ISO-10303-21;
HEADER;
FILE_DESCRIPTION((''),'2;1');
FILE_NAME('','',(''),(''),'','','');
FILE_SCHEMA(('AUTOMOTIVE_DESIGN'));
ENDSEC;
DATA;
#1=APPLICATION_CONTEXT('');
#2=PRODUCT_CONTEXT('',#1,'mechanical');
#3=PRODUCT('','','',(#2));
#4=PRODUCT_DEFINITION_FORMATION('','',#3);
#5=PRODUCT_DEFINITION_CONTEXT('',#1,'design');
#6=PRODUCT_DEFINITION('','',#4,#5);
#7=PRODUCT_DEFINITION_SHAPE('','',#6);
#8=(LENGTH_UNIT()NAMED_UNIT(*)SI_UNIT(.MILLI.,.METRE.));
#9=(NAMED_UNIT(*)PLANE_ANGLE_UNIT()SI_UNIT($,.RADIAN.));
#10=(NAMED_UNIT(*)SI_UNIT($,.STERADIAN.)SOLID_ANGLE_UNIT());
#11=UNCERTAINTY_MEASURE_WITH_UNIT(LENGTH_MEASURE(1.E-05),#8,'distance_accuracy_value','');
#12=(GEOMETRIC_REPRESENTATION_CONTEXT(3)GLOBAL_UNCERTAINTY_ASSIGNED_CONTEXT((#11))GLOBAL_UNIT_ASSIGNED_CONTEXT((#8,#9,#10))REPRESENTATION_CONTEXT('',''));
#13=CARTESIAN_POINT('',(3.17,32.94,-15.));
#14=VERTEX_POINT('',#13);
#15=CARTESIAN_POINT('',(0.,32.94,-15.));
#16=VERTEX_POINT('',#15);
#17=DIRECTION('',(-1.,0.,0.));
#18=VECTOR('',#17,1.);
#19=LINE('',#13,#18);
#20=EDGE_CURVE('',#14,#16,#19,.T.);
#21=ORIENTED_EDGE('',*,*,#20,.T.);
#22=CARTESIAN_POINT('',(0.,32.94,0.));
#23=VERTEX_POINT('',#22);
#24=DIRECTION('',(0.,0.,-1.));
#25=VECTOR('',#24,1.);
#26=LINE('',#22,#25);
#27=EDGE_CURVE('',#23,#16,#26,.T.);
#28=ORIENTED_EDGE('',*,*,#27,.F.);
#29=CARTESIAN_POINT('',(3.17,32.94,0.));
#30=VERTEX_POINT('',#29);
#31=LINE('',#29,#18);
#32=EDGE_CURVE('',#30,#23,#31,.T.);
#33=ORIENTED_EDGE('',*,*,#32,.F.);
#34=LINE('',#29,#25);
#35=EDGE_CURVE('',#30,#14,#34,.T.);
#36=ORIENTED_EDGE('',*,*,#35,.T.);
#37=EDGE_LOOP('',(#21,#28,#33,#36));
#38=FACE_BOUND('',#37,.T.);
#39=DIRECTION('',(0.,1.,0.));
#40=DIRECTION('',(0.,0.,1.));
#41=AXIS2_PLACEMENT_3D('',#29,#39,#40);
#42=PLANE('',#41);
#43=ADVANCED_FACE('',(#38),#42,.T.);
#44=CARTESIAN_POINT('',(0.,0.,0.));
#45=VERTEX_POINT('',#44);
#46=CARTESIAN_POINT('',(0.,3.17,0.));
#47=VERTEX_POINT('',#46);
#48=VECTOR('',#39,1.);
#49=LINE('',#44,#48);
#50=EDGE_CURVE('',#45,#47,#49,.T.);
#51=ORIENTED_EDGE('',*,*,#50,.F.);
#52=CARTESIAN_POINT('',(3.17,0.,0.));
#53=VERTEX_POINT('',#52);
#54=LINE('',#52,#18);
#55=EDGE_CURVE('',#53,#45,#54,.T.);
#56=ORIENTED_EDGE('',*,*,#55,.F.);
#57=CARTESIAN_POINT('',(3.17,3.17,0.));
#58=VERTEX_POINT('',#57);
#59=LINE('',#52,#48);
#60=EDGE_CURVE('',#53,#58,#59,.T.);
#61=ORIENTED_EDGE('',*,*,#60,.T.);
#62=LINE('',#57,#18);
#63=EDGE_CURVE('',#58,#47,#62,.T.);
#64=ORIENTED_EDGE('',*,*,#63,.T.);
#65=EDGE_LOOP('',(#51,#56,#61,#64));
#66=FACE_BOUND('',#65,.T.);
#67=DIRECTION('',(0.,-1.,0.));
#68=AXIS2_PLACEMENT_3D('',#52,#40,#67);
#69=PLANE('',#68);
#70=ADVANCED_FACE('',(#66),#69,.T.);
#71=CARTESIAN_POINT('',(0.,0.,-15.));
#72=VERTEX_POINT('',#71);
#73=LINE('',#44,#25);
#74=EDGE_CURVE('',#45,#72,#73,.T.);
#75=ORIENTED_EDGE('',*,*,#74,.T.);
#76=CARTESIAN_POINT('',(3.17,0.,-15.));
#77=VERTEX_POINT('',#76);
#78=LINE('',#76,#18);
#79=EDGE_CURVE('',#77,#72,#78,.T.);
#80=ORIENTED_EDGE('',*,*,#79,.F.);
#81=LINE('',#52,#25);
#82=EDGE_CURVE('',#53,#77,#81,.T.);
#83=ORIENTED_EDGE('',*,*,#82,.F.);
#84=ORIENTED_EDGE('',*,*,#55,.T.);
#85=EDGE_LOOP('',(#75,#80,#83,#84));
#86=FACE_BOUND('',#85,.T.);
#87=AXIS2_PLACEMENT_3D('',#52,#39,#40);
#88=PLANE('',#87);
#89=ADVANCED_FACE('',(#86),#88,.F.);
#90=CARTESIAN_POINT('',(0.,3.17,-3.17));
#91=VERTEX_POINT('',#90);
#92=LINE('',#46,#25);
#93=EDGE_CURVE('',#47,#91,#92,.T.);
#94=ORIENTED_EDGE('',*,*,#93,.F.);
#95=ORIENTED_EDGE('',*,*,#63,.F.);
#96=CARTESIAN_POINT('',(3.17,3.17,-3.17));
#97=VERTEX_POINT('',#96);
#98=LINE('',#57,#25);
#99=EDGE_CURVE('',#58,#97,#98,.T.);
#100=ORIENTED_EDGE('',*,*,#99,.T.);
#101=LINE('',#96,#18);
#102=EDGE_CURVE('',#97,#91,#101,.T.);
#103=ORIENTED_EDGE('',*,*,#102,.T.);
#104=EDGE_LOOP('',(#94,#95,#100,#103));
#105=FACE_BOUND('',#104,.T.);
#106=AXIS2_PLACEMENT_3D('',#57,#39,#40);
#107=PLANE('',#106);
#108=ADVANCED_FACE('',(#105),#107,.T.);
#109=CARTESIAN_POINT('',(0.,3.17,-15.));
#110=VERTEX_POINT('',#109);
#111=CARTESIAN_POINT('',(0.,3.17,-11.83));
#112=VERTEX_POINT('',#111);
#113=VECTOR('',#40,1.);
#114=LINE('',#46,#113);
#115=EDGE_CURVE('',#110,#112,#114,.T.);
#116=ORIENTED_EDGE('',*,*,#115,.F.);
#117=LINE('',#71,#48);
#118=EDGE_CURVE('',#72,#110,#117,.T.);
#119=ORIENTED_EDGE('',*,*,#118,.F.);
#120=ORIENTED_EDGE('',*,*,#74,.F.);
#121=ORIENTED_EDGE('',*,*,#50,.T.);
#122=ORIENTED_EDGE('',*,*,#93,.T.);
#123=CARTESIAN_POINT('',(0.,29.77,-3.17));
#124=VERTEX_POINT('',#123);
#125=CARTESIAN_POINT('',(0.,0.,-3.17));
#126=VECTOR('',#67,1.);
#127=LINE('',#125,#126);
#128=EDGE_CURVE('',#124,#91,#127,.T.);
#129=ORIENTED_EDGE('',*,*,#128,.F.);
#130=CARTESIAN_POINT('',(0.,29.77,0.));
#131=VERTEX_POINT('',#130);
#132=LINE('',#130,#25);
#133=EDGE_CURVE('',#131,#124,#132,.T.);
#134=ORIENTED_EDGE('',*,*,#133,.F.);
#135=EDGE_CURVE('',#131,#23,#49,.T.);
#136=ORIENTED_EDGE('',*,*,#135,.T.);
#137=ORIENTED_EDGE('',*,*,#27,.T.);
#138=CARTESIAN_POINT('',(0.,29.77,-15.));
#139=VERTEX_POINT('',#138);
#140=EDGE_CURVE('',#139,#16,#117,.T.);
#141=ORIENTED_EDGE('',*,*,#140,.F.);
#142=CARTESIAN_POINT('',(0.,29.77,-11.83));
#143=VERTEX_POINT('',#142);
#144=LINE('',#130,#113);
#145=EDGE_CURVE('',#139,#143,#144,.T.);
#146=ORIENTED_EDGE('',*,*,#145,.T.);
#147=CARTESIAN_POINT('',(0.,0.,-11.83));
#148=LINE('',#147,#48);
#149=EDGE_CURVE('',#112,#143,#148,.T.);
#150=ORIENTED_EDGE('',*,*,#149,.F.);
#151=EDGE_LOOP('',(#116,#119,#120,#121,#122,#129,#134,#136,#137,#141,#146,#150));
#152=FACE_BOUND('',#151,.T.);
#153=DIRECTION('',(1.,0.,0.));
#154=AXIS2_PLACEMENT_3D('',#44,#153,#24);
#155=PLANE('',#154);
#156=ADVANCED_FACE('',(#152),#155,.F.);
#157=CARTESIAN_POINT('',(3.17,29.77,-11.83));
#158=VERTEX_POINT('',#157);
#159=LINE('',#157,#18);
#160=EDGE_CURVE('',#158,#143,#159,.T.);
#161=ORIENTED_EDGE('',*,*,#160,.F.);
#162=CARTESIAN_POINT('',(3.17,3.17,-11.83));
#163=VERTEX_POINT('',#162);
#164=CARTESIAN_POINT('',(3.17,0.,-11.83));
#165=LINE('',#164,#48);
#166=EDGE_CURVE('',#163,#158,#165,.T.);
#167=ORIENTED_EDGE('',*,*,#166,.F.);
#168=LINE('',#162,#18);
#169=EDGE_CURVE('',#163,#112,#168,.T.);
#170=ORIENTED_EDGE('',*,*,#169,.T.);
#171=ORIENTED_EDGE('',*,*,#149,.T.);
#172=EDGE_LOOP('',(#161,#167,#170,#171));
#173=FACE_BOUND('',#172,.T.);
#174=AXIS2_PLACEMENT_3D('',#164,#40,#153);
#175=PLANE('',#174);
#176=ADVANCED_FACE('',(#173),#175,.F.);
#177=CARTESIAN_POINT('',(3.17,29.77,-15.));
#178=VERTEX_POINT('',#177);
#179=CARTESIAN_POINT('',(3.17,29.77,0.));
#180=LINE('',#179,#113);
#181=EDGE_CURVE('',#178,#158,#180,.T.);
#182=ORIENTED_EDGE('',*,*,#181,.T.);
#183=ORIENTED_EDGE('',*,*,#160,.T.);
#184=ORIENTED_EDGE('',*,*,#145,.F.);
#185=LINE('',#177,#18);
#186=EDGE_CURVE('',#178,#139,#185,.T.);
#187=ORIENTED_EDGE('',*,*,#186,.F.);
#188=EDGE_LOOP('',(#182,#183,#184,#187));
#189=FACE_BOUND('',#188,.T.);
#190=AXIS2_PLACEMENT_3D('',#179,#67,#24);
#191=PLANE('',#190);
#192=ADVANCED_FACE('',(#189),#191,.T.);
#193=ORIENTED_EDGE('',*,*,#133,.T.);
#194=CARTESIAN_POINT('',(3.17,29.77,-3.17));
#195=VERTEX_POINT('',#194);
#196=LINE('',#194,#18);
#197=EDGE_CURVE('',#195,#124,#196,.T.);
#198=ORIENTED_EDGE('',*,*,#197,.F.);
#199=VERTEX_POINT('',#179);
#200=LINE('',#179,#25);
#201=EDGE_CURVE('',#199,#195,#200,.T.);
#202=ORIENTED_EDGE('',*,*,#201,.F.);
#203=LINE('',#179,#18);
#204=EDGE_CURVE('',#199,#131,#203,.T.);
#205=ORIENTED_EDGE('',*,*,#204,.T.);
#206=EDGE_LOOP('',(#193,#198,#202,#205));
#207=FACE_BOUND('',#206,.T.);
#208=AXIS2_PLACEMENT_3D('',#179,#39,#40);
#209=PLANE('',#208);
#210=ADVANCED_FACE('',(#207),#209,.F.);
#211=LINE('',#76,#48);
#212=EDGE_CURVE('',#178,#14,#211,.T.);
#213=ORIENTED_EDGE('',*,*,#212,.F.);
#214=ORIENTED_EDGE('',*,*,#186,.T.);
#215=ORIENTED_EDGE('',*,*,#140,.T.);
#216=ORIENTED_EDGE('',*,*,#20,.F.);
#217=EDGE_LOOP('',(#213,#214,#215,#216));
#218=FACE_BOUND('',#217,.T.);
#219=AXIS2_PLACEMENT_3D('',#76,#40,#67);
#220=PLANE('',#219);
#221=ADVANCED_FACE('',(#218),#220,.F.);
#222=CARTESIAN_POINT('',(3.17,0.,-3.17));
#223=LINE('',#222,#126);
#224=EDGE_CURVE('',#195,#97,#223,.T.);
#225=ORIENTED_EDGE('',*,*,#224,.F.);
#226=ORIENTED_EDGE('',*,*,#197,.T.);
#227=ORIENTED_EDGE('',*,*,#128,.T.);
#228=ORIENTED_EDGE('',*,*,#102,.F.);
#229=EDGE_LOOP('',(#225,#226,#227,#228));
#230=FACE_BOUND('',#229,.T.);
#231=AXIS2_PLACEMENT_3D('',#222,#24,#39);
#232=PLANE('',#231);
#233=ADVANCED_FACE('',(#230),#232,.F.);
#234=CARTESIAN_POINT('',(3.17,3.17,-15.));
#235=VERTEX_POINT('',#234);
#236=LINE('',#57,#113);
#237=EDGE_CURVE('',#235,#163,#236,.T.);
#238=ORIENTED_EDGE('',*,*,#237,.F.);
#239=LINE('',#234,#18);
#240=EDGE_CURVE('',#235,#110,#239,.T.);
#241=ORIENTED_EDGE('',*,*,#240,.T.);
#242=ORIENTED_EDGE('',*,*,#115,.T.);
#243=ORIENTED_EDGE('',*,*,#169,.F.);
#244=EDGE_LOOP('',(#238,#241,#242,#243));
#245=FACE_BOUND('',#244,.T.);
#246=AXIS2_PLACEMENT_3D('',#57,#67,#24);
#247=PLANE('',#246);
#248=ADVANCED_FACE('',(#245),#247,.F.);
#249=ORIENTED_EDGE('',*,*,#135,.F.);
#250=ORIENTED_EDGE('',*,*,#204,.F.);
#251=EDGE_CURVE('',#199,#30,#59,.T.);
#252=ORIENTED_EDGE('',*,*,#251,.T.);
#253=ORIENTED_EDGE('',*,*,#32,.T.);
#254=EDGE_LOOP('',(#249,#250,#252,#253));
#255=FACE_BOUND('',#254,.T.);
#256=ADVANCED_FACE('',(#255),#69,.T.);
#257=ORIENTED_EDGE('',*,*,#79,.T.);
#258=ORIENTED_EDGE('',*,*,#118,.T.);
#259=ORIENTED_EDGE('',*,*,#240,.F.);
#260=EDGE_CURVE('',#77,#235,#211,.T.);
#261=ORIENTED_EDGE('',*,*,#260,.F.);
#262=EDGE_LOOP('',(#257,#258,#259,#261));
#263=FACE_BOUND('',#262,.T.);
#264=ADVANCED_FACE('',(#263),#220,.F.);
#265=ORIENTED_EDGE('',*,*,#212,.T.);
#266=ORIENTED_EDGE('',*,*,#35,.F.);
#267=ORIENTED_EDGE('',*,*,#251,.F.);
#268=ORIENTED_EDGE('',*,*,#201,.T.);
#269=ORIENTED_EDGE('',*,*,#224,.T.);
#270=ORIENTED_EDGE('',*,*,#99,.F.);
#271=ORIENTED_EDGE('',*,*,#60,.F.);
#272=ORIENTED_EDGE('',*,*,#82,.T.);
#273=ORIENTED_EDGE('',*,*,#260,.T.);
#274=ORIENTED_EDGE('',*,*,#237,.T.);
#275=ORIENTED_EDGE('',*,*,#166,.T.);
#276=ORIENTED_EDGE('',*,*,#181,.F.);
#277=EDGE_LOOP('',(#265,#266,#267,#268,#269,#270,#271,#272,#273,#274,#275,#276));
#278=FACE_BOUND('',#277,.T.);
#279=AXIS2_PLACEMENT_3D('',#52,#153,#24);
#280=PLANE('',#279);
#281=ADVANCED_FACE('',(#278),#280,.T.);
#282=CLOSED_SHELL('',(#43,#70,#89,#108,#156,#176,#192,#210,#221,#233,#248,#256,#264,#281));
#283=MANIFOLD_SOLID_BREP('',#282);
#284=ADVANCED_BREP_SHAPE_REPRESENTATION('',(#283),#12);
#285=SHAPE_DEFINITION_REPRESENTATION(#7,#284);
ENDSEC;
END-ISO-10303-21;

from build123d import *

# Parameters (mm, degrees)
SKETCH1_W           = 3.17
SKETCH1_H           = 3.17
BOSS_EXTRUDE1_DEPTH = 3.17


with BuildPart() as part:
    # Sketch1 → Boss-Extrude1 (new body)
    with BuildSketch(Plane(origin=(0, 0, 0), x_dir=(0, 0, -1), z_dir=(1, 0, 0))):
        with Locations((13.415, 31.355)):
            Rectangle(SKETCH1_W, SKETCH1_H)
        with Locations((1.585, 31.355)):
            Rectangle(SKETCH1_W, SKETCH1_H)
        with Locations((1.585, 1.585)):
            Rectangle(SKETCH1_W, SKETCH1_H)
        with Locations((13.415, 1.585)):
            Rectangle(SKETCH1_W, SKETCH1_H)
        Polygon((11.83, 3.17), (11.83, 29.77), (11.83, 32.94), (3.17, 32.94), (3.17, 29.77), (3.17, 3.17), (3.17, 0), (11.83, 0), align=None)
    extrude(amount=BOSS_EXTRUDE1_DEPTH)


solid = part.part
